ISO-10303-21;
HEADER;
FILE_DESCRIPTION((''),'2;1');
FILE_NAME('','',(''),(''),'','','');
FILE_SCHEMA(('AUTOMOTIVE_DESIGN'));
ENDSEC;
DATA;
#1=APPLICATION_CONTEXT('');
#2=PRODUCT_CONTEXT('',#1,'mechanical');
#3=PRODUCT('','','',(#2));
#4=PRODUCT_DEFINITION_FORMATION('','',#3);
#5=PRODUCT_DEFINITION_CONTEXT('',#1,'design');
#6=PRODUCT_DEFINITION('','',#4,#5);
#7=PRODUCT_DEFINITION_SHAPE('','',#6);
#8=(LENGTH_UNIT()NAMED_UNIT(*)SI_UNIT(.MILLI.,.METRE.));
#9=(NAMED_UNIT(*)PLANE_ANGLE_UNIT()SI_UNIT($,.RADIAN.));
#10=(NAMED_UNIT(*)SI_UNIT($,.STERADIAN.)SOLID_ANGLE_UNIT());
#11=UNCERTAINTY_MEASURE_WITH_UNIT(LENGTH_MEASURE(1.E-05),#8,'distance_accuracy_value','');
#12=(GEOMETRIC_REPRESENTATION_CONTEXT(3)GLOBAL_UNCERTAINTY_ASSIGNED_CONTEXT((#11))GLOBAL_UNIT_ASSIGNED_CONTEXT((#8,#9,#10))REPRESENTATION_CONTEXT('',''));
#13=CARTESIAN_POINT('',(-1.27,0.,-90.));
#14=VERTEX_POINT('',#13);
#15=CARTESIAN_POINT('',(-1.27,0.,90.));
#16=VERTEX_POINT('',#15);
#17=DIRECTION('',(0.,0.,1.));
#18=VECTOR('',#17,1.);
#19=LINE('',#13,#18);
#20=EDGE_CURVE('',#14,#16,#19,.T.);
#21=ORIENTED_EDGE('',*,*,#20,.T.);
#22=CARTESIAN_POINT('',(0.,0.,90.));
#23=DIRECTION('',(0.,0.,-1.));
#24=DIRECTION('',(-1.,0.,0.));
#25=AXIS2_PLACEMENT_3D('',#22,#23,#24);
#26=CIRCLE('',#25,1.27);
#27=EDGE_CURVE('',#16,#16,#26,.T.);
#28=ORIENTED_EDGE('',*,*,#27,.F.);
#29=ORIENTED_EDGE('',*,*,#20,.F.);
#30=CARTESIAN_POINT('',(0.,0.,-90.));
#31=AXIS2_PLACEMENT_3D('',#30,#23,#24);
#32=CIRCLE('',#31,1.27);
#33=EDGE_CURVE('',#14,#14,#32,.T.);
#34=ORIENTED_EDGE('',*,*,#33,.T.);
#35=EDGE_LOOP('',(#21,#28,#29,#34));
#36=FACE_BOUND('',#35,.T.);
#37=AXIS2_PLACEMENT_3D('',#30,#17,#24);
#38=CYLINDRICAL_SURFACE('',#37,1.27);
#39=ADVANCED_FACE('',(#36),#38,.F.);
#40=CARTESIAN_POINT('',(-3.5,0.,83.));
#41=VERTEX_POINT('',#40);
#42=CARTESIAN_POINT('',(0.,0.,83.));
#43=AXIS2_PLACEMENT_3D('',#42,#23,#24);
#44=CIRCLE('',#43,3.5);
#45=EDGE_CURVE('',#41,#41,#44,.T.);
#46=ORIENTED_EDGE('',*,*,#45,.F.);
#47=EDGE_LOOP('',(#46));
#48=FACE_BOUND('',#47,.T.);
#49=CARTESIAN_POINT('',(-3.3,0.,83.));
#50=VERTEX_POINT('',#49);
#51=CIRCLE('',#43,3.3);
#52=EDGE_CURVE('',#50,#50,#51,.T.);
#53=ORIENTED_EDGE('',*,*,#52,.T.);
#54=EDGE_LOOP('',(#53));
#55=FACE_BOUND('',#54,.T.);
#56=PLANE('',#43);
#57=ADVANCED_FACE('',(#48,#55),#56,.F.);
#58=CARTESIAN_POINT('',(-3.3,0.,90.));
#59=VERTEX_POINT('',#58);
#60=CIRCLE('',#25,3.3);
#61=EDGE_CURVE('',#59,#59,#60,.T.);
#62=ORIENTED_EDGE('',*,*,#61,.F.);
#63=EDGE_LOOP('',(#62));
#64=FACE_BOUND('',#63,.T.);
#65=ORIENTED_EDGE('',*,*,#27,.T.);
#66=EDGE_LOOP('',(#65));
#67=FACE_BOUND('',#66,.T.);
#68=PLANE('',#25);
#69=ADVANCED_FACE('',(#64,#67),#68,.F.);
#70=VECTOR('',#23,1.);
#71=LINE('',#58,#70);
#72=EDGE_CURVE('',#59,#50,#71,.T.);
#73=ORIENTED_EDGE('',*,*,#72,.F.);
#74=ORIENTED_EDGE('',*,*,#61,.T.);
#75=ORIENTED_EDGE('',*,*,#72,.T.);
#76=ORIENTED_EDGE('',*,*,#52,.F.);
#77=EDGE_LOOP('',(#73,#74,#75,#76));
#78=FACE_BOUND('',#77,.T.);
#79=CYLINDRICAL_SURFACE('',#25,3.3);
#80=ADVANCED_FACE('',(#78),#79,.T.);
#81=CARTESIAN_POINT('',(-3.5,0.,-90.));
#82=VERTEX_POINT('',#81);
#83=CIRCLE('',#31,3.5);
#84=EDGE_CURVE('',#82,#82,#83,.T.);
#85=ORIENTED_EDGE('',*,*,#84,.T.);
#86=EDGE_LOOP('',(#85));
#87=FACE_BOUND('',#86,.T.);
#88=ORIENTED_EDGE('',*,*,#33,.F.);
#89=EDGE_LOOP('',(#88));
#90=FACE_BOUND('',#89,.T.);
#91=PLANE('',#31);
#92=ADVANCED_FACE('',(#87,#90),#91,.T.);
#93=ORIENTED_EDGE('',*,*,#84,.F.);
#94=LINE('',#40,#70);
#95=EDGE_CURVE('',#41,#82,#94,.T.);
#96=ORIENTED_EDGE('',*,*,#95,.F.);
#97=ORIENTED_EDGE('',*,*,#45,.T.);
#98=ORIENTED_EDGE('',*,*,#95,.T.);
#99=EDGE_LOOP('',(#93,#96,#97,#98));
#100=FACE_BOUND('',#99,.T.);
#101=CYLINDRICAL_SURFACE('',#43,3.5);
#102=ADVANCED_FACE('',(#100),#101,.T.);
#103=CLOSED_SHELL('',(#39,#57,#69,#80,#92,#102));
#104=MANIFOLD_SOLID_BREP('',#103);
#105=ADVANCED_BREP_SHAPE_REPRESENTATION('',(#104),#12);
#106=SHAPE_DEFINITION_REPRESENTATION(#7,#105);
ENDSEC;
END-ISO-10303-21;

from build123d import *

# Parameters (mm, degrees)
F0_W = 2.23
F0_H = 90


with BuildPart() as f1:
    # F0 (on Front) → F1 (revolve)
    with BuildSketch(Plane.XZ):
        with Locations((-2.385, -45)):
            Rectangle(F0_W, F0_H)
        Polygon((-3.5, 83), (-3.5, 0), (-1.27, 0), (-1.27, 90), (-3.3, 90), (-3.3, 83), align=None)
    revolve(axis=Axis((0, 0, 0), (0, 0, -1)))


solid = f1.part
